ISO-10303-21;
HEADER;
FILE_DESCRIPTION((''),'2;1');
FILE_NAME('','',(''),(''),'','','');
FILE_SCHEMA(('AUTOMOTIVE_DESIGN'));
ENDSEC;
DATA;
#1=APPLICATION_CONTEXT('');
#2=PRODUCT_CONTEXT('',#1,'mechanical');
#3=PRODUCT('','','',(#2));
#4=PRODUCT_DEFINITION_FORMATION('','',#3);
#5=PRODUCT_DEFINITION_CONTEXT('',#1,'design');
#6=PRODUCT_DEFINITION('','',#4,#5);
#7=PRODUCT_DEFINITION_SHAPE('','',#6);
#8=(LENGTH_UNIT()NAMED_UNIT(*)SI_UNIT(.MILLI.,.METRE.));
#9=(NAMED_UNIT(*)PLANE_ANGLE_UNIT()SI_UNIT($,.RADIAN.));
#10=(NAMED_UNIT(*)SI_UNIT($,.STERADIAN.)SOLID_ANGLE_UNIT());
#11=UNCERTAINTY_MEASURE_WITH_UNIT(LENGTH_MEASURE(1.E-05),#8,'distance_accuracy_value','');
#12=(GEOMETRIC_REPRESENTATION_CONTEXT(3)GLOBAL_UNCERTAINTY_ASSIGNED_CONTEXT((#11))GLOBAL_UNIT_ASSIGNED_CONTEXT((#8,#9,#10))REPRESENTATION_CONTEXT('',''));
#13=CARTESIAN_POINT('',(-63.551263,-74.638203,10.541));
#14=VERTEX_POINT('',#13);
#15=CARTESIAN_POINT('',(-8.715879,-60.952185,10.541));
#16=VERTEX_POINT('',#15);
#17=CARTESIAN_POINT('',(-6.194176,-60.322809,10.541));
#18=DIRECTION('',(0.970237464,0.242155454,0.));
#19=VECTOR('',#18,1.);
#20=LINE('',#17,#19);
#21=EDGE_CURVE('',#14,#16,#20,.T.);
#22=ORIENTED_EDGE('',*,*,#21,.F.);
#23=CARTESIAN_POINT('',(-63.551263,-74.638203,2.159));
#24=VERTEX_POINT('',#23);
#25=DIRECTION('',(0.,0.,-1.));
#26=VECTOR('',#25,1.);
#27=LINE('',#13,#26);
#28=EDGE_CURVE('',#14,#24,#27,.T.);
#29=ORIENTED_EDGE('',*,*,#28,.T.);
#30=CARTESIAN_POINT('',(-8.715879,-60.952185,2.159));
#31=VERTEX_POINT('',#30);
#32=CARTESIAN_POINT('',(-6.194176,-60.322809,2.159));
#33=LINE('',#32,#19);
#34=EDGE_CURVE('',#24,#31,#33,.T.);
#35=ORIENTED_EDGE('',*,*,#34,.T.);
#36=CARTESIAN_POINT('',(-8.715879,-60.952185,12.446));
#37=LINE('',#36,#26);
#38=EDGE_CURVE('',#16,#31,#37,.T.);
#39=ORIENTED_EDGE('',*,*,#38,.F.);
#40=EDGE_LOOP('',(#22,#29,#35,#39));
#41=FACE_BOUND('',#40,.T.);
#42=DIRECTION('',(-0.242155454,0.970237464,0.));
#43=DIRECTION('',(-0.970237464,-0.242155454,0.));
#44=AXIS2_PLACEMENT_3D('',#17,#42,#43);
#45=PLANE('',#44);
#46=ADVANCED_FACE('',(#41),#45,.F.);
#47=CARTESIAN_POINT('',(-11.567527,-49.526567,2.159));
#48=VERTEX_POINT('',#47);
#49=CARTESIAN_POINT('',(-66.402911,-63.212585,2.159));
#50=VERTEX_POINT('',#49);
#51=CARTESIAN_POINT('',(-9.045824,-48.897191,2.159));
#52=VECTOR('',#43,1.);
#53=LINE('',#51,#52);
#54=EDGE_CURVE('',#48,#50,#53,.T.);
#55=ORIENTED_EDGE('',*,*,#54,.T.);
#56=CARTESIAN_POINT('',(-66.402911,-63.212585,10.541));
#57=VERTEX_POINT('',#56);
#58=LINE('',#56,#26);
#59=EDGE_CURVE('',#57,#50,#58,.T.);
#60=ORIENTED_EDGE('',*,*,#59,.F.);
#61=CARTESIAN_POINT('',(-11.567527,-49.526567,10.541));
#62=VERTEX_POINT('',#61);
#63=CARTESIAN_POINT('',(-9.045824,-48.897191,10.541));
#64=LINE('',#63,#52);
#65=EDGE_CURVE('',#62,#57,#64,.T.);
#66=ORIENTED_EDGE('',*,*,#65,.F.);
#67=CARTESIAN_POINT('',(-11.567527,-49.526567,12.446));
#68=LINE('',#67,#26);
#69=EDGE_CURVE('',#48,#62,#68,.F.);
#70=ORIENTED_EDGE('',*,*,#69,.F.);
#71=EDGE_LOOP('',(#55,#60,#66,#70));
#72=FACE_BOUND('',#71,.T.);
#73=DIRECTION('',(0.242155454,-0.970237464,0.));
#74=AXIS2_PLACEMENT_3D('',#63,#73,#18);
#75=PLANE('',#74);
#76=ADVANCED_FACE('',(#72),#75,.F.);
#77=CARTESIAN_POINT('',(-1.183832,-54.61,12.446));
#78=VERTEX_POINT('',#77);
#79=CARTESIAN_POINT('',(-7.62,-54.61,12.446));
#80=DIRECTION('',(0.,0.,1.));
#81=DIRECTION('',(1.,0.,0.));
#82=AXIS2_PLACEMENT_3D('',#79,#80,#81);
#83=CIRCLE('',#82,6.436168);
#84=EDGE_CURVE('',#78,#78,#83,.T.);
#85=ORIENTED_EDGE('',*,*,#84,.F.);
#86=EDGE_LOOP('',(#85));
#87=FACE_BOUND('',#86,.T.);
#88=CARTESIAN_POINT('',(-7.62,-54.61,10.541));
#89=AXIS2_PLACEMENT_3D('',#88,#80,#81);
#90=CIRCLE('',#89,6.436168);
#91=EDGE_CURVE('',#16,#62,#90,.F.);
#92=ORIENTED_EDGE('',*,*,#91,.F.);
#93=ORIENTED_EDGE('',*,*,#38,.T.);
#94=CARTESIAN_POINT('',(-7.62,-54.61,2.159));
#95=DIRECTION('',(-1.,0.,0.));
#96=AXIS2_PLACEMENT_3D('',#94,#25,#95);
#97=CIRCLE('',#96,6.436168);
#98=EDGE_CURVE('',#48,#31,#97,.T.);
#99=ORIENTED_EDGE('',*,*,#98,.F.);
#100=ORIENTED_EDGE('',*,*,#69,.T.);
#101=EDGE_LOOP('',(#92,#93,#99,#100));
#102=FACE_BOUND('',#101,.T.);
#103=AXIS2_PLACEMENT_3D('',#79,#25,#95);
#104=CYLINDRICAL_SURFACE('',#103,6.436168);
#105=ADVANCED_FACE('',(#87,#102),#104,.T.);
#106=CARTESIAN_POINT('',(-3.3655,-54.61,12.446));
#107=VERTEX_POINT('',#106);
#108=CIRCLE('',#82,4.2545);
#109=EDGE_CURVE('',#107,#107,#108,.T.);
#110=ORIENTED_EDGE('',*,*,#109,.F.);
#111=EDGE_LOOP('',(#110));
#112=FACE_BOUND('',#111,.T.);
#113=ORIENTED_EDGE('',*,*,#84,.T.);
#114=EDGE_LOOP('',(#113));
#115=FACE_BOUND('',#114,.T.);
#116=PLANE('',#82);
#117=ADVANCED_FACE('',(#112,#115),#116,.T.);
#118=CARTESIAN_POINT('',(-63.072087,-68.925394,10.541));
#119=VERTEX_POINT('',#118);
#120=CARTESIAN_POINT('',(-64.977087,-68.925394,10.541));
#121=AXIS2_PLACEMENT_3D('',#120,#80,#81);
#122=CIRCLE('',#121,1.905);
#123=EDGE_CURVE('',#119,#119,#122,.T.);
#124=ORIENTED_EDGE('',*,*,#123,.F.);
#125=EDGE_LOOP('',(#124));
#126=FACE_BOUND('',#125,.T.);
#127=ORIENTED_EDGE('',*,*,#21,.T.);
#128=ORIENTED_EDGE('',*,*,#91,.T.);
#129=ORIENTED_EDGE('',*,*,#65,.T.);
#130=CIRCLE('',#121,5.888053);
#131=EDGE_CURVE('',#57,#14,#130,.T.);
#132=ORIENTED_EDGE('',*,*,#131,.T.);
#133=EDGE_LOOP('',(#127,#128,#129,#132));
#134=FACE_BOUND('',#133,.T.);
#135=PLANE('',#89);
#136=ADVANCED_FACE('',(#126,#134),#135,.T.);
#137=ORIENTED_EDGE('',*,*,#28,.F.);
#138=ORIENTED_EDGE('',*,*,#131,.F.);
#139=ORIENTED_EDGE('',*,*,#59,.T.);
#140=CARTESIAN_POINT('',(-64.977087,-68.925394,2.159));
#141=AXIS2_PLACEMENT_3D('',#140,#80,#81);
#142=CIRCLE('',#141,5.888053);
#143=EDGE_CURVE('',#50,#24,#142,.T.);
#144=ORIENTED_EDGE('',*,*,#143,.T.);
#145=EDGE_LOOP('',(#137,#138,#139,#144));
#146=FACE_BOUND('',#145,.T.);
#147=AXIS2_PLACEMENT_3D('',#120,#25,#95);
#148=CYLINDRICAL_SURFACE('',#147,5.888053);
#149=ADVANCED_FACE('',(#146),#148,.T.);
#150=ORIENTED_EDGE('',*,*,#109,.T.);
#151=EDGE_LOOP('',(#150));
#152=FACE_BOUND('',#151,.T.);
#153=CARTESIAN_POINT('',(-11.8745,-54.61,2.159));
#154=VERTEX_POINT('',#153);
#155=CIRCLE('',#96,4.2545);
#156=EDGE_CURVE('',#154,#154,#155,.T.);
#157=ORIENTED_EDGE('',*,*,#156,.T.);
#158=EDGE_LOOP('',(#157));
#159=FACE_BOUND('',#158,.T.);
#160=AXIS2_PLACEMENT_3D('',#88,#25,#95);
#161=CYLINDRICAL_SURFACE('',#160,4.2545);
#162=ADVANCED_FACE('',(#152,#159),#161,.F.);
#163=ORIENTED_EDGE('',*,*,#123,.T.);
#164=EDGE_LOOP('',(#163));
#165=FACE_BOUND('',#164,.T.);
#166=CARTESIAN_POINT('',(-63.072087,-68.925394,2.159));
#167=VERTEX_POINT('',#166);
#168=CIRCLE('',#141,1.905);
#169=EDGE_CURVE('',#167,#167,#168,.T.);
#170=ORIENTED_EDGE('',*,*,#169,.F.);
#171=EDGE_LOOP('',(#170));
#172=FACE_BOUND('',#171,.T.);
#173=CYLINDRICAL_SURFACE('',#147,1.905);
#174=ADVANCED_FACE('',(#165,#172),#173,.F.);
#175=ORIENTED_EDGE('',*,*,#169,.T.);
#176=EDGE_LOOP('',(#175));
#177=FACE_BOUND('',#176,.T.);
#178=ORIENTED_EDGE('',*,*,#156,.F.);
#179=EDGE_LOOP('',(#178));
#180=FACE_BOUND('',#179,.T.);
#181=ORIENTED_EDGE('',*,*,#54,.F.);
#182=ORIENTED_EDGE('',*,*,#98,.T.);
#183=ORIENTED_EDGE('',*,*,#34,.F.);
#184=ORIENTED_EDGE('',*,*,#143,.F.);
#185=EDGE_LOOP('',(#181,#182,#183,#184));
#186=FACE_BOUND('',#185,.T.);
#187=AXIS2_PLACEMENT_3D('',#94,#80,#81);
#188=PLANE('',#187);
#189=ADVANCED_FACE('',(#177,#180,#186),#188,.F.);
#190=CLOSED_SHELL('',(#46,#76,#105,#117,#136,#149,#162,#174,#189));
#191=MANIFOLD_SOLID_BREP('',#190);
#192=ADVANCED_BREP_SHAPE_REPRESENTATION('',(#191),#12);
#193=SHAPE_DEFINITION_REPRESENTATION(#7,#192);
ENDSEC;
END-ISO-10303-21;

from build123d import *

# Parameters (mm, degrees)
SKETCH3_R           = 4.2545
SKETCH3_R_2         = 1.905
BOSS_EXTRUDE1_DEPTH = 4.191
SKETCH4_R           = 6.436168178
SKETCH4_R_2         = 4.2545
BOSS_EXTRUDE2_DEPTH = 6.096
SKETCH6_R           = 6.436168178
CUT_EXTRUDE1_DEPTH  = 1.905


with BuildPart() as part:
    # Sketch3 → Boss-Extrude1 (new, symmetric)
    with BuildSketch(Plane.XY.offset(6.35)):
        with BuildLine():
            Line((-6.194175956, -60.322809185), (-63.551262793, -74.638203042))
            ThreePointArc((-63.551262793, -74.638203042), (-70.689896022, -70.351217901), (-66.402910881, -63.212584672))
            Line((-66.402910881, -63.212584672), (-9.045824044, -48.897190815))
            ThreePointArc((-9.045824044, -48.897190815), (-1.907190815, -53.184175956), (-6.194175956, -60.322809185))
        make_face()
        with Locations((-7.62, -54.61)):
            Circle(SKETCH3_R, mode=Mode.SUBTRACT)
        with Locations((-64.977086837, -68.925393857)):
            Circle(SKETCH3_R_2, mode=Mode.SUBTRACT)
    extrude(amount=BOSS_EXTRUDE1_DEPTH, both=True)

    # Sketch4 → Boss-Extrude2 (add, symmetric)
    with BuildSketch(Plane.XY.offset(6.35)):
        with Locations((-7.62, -54.61)):
            Circle(SKETCH4_R)
        with Locations((-7.62, -54.61)):
            Circle(SKETCH4_R_2, mode=Mode.SUBTRACT)
    extrude(amount=BOSS_EXTRUDE2_DEPTH, both=True)

    # Sketch6 → Cut-Extrude1 (cut)
    with BuildSketch(Plane(origin=(0, 0, 2.159), x_dir=(-1, 0, 0), z_dir=(0, 0, -1))):
        with Locations(Location((7.62, -54.61, 0), (0, 0, 52.168968889))):
            Circle(SKETCH6_R)
    extrude(amount=CUT_EXTRUDE1_DEPTH, mode=Mode.SUBTRACT)


solid = part.part
